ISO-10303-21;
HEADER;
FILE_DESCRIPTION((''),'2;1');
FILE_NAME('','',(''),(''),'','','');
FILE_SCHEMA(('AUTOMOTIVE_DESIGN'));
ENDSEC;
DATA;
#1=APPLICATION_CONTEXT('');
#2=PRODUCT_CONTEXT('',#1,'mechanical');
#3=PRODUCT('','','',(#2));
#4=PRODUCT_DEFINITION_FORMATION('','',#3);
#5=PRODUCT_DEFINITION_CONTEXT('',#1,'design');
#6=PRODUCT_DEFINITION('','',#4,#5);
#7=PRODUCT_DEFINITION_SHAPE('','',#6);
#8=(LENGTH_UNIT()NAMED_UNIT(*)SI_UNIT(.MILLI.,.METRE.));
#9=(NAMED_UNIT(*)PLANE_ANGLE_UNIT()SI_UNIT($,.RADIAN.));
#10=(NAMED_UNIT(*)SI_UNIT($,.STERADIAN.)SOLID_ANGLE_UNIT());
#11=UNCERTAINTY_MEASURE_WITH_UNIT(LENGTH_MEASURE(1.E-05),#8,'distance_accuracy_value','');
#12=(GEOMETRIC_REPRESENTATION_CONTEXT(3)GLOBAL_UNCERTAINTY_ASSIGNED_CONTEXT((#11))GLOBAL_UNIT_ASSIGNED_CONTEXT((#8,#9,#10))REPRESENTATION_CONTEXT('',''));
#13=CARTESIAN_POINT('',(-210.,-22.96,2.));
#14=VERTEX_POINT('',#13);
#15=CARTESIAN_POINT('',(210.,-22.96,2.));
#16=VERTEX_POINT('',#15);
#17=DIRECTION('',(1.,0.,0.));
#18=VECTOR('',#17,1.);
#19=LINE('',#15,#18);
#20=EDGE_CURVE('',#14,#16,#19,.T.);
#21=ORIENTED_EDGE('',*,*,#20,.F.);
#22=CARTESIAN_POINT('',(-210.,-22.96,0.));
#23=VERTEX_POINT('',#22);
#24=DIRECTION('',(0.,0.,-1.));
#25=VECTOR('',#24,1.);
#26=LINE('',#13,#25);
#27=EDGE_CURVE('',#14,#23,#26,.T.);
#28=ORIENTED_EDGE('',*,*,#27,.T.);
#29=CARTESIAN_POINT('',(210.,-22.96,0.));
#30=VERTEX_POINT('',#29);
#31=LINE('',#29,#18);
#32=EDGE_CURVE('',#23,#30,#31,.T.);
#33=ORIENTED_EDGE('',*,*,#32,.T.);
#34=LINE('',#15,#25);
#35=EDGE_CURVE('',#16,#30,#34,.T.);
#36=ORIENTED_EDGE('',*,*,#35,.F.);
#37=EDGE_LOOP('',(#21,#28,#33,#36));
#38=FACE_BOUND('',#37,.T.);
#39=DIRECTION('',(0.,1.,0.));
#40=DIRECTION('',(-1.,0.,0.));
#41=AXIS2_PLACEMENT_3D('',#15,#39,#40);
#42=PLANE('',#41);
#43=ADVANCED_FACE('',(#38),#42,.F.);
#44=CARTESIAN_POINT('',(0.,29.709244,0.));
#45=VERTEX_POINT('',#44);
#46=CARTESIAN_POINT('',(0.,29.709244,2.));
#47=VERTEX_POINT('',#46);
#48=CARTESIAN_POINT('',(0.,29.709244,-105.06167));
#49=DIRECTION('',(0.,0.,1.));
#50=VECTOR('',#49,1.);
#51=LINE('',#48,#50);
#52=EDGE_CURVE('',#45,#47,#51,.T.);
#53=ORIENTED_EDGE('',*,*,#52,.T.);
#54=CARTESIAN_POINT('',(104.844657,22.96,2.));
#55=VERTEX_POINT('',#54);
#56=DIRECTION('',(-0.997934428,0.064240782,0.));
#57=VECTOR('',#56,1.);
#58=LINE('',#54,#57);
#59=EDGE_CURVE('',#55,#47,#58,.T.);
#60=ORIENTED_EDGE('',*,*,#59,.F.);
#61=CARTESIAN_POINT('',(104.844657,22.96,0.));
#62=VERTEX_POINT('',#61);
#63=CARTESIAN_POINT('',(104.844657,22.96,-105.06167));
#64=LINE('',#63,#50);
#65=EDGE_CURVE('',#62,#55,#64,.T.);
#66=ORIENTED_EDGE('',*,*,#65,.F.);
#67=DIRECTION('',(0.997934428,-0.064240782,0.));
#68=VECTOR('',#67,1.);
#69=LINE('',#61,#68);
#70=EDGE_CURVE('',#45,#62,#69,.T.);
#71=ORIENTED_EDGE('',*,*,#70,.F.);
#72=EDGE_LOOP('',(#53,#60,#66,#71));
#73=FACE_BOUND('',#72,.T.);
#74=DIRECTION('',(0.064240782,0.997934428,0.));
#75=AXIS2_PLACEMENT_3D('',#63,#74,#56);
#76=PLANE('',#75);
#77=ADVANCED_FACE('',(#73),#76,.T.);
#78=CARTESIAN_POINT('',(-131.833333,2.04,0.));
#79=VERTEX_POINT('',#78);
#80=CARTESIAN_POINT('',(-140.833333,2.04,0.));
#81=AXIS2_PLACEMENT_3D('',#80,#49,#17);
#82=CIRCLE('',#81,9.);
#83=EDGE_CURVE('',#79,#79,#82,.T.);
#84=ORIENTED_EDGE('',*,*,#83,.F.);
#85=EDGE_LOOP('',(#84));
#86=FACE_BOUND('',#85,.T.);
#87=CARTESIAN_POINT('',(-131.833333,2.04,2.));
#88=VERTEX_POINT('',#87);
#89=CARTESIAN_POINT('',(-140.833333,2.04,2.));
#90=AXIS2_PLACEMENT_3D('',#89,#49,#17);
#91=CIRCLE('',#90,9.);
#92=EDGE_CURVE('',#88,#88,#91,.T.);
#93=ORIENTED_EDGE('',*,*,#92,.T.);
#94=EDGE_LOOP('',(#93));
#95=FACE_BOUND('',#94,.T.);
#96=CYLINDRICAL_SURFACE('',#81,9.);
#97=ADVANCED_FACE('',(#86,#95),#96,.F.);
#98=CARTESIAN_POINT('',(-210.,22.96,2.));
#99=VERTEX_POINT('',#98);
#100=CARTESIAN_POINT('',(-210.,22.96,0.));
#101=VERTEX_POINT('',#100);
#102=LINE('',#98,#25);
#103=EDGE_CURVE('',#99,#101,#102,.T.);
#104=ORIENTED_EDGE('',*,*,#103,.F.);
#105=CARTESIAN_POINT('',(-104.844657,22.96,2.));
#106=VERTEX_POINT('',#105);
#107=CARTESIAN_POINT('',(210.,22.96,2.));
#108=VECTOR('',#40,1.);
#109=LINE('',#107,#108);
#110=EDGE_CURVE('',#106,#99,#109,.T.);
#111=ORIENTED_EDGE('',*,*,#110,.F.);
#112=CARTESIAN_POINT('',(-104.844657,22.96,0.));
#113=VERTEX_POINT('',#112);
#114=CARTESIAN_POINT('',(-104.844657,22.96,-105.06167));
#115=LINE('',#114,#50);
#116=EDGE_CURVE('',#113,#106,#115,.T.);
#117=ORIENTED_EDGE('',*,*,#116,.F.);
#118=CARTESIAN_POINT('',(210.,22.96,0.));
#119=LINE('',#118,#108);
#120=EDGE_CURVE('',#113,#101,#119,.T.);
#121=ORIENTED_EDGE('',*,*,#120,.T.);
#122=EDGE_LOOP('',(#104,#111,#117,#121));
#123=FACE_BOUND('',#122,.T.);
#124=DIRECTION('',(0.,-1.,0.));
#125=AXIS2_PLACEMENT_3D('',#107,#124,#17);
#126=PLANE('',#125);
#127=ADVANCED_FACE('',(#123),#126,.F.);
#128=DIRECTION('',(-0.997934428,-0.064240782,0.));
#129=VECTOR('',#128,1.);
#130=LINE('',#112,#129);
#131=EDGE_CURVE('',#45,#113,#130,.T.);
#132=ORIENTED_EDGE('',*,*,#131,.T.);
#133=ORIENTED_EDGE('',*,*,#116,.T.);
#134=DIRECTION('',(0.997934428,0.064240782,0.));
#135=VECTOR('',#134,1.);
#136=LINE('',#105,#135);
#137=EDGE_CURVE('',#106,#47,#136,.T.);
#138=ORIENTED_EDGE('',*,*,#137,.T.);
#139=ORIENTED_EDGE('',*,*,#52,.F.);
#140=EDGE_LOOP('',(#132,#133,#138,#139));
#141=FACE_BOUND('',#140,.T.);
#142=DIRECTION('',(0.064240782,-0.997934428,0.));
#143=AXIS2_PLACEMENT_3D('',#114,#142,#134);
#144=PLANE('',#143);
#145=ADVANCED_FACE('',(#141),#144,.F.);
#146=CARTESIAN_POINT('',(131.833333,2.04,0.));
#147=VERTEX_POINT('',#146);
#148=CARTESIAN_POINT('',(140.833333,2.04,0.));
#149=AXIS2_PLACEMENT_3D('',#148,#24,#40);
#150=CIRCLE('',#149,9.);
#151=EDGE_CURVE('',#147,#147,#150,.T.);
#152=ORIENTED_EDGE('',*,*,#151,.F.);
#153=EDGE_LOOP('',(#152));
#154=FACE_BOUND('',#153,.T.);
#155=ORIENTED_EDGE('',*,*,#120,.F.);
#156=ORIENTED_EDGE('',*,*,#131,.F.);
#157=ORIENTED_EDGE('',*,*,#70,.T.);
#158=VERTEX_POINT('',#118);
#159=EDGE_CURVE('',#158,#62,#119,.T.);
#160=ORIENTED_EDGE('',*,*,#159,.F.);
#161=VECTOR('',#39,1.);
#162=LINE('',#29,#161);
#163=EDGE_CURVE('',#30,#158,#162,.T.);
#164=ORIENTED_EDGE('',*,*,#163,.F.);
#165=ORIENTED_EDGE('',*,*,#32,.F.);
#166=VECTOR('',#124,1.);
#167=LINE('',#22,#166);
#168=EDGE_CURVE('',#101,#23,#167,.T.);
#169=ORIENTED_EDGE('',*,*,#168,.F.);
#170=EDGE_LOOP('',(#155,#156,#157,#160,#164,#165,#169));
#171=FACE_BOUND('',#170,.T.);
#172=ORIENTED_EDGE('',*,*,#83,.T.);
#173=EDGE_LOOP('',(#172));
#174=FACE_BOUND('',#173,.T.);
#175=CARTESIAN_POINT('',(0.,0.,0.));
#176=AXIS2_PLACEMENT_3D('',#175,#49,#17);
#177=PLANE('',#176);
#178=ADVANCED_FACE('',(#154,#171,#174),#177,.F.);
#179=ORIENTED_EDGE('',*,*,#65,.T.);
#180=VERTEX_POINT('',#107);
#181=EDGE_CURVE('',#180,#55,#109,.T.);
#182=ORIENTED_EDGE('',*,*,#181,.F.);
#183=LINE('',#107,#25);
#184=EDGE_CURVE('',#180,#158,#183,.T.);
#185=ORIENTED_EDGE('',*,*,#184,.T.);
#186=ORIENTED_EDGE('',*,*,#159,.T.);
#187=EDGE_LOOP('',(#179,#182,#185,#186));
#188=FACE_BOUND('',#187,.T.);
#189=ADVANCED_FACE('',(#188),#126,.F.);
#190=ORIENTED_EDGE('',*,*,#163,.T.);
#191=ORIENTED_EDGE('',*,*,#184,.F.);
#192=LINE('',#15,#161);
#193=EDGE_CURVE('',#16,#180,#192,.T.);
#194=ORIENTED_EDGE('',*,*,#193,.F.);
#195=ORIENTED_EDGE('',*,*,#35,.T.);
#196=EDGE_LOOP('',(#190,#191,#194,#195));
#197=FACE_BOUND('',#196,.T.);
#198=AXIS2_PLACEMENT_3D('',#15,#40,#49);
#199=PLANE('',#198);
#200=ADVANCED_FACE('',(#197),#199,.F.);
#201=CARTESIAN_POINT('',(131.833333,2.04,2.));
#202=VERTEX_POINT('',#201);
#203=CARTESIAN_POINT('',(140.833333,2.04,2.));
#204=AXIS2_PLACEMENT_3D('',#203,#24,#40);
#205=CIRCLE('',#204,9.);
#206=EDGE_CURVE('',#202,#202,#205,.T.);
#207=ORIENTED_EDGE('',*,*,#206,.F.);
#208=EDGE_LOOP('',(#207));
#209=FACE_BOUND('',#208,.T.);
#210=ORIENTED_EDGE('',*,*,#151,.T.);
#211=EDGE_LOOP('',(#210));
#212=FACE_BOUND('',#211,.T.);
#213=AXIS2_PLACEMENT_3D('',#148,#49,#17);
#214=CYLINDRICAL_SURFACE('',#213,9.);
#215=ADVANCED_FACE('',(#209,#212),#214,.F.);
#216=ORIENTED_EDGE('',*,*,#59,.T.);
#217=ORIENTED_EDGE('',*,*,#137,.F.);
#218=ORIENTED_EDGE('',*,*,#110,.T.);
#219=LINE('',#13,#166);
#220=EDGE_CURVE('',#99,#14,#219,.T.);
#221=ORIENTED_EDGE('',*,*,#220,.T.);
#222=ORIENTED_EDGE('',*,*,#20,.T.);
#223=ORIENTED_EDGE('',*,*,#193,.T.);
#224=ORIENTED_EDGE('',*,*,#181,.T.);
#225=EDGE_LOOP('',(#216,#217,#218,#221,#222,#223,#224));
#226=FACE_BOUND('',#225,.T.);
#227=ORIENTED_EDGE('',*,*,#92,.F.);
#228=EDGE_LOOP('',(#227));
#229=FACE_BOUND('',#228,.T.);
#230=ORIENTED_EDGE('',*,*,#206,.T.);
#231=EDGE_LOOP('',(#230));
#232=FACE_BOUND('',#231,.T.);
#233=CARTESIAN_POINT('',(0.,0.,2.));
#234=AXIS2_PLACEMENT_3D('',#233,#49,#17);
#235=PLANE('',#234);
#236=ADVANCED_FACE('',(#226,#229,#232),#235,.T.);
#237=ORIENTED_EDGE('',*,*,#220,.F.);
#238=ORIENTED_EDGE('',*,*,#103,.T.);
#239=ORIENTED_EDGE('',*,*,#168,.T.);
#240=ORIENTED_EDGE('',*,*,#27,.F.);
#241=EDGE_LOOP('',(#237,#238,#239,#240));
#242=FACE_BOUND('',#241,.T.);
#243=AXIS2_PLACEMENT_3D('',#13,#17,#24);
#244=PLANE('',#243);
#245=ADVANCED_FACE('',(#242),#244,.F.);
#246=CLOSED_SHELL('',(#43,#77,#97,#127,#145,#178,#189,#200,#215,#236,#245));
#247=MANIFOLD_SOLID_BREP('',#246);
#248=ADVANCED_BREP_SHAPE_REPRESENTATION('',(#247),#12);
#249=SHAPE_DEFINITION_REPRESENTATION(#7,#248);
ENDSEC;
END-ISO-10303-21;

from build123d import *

# Parameters (mm, degrees)
SCHIZZO1_W                   = 420
SCHIZZO1_H                   = 45.92
PIASTRABASE_DEPTH            = 2
SCHIZZO2_R                   = 9
FOROTUBOMOTORE_DEPTH         = 212.260885163
ESTRUSIONE_ESTRUSIONE1_DEPTH = 2


with BuildPart() as part:
    # Schizzo1 → PiastraBase (new body)
    with BuildSketch(Plane.XY):
        Rectangle(SCHIZZO1_W, SCHIZZO1_H)
    extrude(amount=PIASTRABASE_DEPTH)

    # Schizzo2 → ForoTuboMotore (cut, through all)
    with BuildSketch(Plane.XY.offset(2)):
        with Locations((-140.833333333, 2.04)):
            Circle(SCHIZZO2_R)
    forotubomotore = extrude(amount=-FOROTUBOMOTORE_DEPTH, mode=Mode.SUBTRACT)

    # Specchia1: ForoTuboMotore across plane
    add(forotubomotore.mirror(Plane(origin=(0, 0, 0), x_dir=(0, 0, 1), z_dir=(1, 0, 0))), mode=Mode.SUBTRACT)

    # Schizzo4 → Estrusione-Estrusione1 (add)
    with BuildSketch(Plane.XY.offset(2)):
        Polygon((104.844657179, 22.96), (0, 29.70924382), (0, 22.96), align=None)
    estrusione_estrusione1 = extrude(amount=-ESTRUSIONE_ESTRUSIONE1_DEPTH)

    # Specchia2: Estrusione-Estrusione1 across plane
    add(estrusione_estrusione1.mirror(Plane(origin=(0, 0, 0), x_dir=(0, 0, 1), z_dir=(1, 0, 0))))


solid = part.part
